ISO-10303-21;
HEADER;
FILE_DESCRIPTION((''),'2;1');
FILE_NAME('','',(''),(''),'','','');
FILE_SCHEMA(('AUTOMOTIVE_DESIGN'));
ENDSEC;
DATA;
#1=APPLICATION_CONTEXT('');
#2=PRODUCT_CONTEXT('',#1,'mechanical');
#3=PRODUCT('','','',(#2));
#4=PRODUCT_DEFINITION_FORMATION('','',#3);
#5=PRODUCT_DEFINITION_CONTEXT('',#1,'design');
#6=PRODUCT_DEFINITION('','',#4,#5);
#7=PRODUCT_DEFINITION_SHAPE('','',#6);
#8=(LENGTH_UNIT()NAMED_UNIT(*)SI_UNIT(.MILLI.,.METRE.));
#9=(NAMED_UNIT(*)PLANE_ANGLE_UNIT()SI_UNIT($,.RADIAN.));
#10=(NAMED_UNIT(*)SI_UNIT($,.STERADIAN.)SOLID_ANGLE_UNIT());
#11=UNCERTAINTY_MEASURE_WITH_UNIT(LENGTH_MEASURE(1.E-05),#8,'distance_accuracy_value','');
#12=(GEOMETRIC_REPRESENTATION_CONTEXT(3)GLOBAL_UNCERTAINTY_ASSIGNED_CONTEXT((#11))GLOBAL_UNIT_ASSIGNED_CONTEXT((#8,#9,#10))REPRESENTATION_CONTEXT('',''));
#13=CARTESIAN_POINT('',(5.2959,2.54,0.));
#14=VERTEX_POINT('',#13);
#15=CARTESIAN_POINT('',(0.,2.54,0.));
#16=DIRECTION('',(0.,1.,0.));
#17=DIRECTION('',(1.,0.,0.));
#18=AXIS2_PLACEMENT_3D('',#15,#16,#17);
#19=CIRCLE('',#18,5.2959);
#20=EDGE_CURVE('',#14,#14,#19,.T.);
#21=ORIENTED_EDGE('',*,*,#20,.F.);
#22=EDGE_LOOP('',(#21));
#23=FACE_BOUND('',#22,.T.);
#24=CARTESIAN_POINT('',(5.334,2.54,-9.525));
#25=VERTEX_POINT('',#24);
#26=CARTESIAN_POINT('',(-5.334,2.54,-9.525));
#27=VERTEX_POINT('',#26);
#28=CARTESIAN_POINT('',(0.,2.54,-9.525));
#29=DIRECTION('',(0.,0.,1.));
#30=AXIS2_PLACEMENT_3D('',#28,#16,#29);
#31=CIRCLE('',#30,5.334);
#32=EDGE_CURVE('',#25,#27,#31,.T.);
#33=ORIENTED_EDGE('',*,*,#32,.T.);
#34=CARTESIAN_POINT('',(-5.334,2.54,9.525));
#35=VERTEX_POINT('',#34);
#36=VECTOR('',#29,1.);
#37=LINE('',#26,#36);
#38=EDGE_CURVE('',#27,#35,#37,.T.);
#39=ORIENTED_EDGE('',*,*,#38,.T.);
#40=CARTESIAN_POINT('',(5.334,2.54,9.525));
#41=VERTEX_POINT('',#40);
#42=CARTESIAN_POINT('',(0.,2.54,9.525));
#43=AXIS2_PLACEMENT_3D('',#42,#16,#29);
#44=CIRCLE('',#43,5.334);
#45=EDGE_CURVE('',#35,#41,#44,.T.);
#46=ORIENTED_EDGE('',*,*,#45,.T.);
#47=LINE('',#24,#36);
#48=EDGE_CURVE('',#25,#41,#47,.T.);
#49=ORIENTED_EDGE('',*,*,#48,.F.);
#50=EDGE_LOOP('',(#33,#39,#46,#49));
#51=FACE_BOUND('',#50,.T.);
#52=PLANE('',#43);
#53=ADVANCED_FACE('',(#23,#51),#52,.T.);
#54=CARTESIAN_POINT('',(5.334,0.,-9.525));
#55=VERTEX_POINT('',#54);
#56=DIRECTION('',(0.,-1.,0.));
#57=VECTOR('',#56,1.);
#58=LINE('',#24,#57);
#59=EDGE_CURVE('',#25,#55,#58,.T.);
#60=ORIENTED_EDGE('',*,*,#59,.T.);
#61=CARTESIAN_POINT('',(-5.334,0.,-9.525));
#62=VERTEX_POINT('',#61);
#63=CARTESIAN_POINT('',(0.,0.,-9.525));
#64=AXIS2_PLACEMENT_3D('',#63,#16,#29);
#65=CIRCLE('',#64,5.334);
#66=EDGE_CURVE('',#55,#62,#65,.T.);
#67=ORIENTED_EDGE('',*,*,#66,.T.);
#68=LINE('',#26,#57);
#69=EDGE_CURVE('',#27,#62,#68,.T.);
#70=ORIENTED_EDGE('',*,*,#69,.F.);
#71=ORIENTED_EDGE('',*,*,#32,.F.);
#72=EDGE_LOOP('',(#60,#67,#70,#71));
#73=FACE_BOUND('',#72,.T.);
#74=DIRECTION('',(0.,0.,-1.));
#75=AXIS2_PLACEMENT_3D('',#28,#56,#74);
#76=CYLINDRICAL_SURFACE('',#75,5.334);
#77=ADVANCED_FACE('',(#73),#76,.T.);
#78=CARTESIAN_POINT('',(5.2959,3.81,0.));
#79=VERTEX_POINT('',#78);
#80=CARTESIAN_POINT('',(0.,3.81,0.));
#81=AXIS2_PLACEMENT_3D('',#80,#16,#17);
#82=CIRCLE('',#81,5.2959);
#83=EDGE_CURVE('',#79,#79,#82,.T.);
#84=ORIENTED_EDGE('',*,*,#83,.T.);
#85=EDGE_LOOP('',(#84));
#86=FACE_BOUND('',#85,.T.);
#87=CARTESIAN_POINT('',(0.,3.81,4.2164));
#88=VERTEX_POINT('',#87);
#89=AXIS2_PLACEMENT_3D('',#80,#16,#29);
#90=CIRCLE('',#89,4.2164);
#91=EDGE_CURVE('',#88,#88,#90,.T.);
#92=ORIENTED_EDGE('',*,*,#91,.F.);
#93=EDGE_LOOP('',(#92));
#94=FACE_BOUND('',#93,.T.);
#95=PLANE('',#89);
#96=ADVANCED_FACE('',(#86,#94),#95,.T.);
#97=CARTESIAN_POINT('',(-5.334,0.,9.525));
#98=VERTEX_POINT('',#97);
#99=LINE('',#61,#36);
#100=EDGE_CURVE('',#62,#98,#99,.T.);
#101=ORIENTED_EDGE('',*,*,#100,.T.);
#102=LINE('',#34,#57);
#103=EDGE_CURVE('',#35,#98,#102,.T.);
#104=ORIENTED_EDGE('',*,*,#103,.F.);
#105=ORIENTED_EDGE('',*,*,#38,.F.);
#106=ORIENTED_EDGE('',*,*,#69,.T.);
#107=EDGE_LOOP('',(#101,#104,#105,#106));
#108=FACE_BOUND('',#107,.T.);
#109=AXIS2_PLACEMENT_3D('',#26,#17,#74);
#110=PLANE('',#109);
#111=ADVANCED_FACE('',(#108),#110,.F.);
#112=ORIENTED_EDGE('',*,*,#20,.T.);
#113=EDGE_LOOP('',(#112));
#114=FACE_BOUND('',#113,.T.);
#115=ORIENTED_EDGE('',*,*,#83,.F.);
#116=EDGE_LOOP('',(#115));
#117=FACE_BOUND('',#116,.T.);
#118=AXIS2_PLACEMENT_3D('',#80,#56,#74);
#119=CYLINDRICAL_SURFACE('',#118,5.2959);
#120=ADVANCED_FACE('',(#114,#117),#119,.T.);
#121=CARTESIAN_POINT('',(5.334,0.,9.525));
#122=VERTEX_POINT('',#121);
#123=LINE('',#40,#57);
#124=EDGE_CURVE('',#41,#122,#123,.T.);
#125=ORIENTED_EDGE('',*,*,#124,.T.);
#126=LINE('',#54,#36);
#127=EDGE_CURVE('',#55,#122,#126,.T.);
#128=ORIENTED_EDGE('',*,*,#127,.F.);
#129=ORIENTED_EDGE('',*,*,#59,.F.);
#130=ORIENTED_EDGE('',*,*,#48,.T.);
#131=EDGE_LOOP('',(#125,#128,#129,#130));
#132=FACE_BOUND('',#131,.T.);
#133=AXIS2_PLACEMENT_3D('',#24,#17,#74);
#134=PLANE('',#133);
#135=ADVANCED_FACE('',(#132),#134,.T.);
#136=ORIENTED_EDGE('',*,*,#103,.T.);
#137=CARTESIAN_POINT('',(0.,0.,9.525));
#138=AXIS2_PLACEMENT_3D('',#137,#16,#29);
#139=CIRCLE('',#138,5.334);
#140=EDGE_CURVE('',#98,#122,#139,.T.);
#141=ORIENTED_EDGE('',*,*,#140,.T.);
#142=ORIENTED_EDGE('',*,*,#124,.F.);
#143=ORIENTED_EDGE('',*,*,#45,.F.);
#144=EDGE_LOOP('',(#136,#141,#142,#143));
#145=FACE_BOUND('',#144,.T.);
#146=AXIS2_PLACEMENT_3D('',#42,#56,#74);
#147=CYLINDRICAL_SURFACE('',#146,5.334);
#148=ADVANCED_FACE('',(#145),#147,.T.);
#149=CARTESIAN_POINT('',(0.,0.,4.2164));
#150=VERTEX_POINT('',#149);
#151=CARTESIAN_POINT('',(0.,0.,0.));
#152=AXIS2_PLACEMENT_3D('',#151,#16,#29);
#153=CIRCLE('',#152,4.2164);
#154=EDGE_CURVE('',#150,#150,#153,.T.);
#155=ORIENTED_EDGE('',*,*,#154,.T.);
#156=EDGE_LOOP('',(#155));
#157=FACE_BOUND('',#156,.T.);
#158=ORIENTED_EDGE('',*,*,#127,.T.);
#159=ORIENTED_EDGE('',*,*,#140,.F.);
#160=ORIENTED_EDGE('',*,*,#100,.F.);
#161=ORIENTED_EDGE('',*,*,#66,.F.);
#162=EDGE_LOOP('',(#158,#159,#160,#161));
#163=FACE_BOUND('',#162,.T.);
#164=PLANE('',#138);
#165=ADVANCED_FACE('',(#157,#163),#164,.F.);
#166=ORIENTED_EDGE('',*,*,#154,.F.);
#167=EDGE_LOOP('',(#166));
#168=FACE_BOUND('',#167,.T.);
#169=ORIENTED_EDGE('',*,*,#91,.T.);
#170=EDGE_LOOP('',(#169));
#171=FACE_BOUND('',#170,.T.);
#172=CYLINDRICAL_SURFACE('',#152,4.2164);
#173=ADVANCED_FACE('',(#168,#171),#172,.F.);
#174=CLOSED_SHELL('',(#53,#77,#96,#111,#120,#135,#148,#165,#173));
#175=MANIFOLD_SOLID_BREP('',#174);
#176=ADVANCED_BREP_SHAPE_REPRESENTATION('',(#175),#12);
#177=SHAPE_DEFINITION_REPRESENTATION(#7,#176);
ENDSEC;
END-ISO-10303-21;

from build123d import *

# Parameters (mm, degrees)
BOSS_EXTRUDE1_DEPTH = 2.54
SKETCH2_R           = 4.2164
CUT_EXTRUDE1_DEPTH  = 2.54
EXTRUDE_THIN1_START = 1.27
SKETCH3_R           = 5.2959
SKETCH3_R_2         = 4.2164
EXTRUDE_THIN1_DEPTH = 1.27


with BuildPart() as part:
    # Sketch1 → Boss-Extrude1 (new body)
    with BuildSketch(Plane(origin=(0, 0, 0), x_dir=(1, 0, 0), z_dir=(0, 1, 0))):
        with BuildLine():
            Line((5.334, 9.525), (5.334, -9.525))
            ThreePointArc((5.334, -9.525), (0, -14.859), (-5.334, -9.525))
            Line((-5.334, -9.525), (-5.334, 9.525))
            ThreePointArc((-5.334, 9.525), (0, 14.859), (5.334, 9.525))
        make_face()
    extrude(amount=BOSS_EXTRUDE1_DEPTH)

    # Sketch2 → Cut-Extrude1 (cut)
    with BuildSketch(Plane(origin=(0, 2.54, 0), x_dir=(1, 0, 0), z_dir=(0, 1, 0))):
        with Locations(Location((0, 0, 0), (0, 0, 270))):
            Circle(SKETCH2_R)
    extrude(amount=-CUT_EXTRUDE1_DEPTH, mode=Mode.SUBTRACT)

    # Sketch3 → Extrude-Thin1 (add)
    with BuildSketch(Plane(origin=(0, 2.54, 0), x_dir=(1, 0, 0), z_dir=(0, 1, 0)).offset(EXTRUDE_THIN1_START)):
        Circle(SKETCH3_R)
        Circle(SKETCH3_R_2, mode=Mode.SUBTRACT)
    extrude(amount=-EXTRUDE_THIN1_DEPTH)


solid = part.part
